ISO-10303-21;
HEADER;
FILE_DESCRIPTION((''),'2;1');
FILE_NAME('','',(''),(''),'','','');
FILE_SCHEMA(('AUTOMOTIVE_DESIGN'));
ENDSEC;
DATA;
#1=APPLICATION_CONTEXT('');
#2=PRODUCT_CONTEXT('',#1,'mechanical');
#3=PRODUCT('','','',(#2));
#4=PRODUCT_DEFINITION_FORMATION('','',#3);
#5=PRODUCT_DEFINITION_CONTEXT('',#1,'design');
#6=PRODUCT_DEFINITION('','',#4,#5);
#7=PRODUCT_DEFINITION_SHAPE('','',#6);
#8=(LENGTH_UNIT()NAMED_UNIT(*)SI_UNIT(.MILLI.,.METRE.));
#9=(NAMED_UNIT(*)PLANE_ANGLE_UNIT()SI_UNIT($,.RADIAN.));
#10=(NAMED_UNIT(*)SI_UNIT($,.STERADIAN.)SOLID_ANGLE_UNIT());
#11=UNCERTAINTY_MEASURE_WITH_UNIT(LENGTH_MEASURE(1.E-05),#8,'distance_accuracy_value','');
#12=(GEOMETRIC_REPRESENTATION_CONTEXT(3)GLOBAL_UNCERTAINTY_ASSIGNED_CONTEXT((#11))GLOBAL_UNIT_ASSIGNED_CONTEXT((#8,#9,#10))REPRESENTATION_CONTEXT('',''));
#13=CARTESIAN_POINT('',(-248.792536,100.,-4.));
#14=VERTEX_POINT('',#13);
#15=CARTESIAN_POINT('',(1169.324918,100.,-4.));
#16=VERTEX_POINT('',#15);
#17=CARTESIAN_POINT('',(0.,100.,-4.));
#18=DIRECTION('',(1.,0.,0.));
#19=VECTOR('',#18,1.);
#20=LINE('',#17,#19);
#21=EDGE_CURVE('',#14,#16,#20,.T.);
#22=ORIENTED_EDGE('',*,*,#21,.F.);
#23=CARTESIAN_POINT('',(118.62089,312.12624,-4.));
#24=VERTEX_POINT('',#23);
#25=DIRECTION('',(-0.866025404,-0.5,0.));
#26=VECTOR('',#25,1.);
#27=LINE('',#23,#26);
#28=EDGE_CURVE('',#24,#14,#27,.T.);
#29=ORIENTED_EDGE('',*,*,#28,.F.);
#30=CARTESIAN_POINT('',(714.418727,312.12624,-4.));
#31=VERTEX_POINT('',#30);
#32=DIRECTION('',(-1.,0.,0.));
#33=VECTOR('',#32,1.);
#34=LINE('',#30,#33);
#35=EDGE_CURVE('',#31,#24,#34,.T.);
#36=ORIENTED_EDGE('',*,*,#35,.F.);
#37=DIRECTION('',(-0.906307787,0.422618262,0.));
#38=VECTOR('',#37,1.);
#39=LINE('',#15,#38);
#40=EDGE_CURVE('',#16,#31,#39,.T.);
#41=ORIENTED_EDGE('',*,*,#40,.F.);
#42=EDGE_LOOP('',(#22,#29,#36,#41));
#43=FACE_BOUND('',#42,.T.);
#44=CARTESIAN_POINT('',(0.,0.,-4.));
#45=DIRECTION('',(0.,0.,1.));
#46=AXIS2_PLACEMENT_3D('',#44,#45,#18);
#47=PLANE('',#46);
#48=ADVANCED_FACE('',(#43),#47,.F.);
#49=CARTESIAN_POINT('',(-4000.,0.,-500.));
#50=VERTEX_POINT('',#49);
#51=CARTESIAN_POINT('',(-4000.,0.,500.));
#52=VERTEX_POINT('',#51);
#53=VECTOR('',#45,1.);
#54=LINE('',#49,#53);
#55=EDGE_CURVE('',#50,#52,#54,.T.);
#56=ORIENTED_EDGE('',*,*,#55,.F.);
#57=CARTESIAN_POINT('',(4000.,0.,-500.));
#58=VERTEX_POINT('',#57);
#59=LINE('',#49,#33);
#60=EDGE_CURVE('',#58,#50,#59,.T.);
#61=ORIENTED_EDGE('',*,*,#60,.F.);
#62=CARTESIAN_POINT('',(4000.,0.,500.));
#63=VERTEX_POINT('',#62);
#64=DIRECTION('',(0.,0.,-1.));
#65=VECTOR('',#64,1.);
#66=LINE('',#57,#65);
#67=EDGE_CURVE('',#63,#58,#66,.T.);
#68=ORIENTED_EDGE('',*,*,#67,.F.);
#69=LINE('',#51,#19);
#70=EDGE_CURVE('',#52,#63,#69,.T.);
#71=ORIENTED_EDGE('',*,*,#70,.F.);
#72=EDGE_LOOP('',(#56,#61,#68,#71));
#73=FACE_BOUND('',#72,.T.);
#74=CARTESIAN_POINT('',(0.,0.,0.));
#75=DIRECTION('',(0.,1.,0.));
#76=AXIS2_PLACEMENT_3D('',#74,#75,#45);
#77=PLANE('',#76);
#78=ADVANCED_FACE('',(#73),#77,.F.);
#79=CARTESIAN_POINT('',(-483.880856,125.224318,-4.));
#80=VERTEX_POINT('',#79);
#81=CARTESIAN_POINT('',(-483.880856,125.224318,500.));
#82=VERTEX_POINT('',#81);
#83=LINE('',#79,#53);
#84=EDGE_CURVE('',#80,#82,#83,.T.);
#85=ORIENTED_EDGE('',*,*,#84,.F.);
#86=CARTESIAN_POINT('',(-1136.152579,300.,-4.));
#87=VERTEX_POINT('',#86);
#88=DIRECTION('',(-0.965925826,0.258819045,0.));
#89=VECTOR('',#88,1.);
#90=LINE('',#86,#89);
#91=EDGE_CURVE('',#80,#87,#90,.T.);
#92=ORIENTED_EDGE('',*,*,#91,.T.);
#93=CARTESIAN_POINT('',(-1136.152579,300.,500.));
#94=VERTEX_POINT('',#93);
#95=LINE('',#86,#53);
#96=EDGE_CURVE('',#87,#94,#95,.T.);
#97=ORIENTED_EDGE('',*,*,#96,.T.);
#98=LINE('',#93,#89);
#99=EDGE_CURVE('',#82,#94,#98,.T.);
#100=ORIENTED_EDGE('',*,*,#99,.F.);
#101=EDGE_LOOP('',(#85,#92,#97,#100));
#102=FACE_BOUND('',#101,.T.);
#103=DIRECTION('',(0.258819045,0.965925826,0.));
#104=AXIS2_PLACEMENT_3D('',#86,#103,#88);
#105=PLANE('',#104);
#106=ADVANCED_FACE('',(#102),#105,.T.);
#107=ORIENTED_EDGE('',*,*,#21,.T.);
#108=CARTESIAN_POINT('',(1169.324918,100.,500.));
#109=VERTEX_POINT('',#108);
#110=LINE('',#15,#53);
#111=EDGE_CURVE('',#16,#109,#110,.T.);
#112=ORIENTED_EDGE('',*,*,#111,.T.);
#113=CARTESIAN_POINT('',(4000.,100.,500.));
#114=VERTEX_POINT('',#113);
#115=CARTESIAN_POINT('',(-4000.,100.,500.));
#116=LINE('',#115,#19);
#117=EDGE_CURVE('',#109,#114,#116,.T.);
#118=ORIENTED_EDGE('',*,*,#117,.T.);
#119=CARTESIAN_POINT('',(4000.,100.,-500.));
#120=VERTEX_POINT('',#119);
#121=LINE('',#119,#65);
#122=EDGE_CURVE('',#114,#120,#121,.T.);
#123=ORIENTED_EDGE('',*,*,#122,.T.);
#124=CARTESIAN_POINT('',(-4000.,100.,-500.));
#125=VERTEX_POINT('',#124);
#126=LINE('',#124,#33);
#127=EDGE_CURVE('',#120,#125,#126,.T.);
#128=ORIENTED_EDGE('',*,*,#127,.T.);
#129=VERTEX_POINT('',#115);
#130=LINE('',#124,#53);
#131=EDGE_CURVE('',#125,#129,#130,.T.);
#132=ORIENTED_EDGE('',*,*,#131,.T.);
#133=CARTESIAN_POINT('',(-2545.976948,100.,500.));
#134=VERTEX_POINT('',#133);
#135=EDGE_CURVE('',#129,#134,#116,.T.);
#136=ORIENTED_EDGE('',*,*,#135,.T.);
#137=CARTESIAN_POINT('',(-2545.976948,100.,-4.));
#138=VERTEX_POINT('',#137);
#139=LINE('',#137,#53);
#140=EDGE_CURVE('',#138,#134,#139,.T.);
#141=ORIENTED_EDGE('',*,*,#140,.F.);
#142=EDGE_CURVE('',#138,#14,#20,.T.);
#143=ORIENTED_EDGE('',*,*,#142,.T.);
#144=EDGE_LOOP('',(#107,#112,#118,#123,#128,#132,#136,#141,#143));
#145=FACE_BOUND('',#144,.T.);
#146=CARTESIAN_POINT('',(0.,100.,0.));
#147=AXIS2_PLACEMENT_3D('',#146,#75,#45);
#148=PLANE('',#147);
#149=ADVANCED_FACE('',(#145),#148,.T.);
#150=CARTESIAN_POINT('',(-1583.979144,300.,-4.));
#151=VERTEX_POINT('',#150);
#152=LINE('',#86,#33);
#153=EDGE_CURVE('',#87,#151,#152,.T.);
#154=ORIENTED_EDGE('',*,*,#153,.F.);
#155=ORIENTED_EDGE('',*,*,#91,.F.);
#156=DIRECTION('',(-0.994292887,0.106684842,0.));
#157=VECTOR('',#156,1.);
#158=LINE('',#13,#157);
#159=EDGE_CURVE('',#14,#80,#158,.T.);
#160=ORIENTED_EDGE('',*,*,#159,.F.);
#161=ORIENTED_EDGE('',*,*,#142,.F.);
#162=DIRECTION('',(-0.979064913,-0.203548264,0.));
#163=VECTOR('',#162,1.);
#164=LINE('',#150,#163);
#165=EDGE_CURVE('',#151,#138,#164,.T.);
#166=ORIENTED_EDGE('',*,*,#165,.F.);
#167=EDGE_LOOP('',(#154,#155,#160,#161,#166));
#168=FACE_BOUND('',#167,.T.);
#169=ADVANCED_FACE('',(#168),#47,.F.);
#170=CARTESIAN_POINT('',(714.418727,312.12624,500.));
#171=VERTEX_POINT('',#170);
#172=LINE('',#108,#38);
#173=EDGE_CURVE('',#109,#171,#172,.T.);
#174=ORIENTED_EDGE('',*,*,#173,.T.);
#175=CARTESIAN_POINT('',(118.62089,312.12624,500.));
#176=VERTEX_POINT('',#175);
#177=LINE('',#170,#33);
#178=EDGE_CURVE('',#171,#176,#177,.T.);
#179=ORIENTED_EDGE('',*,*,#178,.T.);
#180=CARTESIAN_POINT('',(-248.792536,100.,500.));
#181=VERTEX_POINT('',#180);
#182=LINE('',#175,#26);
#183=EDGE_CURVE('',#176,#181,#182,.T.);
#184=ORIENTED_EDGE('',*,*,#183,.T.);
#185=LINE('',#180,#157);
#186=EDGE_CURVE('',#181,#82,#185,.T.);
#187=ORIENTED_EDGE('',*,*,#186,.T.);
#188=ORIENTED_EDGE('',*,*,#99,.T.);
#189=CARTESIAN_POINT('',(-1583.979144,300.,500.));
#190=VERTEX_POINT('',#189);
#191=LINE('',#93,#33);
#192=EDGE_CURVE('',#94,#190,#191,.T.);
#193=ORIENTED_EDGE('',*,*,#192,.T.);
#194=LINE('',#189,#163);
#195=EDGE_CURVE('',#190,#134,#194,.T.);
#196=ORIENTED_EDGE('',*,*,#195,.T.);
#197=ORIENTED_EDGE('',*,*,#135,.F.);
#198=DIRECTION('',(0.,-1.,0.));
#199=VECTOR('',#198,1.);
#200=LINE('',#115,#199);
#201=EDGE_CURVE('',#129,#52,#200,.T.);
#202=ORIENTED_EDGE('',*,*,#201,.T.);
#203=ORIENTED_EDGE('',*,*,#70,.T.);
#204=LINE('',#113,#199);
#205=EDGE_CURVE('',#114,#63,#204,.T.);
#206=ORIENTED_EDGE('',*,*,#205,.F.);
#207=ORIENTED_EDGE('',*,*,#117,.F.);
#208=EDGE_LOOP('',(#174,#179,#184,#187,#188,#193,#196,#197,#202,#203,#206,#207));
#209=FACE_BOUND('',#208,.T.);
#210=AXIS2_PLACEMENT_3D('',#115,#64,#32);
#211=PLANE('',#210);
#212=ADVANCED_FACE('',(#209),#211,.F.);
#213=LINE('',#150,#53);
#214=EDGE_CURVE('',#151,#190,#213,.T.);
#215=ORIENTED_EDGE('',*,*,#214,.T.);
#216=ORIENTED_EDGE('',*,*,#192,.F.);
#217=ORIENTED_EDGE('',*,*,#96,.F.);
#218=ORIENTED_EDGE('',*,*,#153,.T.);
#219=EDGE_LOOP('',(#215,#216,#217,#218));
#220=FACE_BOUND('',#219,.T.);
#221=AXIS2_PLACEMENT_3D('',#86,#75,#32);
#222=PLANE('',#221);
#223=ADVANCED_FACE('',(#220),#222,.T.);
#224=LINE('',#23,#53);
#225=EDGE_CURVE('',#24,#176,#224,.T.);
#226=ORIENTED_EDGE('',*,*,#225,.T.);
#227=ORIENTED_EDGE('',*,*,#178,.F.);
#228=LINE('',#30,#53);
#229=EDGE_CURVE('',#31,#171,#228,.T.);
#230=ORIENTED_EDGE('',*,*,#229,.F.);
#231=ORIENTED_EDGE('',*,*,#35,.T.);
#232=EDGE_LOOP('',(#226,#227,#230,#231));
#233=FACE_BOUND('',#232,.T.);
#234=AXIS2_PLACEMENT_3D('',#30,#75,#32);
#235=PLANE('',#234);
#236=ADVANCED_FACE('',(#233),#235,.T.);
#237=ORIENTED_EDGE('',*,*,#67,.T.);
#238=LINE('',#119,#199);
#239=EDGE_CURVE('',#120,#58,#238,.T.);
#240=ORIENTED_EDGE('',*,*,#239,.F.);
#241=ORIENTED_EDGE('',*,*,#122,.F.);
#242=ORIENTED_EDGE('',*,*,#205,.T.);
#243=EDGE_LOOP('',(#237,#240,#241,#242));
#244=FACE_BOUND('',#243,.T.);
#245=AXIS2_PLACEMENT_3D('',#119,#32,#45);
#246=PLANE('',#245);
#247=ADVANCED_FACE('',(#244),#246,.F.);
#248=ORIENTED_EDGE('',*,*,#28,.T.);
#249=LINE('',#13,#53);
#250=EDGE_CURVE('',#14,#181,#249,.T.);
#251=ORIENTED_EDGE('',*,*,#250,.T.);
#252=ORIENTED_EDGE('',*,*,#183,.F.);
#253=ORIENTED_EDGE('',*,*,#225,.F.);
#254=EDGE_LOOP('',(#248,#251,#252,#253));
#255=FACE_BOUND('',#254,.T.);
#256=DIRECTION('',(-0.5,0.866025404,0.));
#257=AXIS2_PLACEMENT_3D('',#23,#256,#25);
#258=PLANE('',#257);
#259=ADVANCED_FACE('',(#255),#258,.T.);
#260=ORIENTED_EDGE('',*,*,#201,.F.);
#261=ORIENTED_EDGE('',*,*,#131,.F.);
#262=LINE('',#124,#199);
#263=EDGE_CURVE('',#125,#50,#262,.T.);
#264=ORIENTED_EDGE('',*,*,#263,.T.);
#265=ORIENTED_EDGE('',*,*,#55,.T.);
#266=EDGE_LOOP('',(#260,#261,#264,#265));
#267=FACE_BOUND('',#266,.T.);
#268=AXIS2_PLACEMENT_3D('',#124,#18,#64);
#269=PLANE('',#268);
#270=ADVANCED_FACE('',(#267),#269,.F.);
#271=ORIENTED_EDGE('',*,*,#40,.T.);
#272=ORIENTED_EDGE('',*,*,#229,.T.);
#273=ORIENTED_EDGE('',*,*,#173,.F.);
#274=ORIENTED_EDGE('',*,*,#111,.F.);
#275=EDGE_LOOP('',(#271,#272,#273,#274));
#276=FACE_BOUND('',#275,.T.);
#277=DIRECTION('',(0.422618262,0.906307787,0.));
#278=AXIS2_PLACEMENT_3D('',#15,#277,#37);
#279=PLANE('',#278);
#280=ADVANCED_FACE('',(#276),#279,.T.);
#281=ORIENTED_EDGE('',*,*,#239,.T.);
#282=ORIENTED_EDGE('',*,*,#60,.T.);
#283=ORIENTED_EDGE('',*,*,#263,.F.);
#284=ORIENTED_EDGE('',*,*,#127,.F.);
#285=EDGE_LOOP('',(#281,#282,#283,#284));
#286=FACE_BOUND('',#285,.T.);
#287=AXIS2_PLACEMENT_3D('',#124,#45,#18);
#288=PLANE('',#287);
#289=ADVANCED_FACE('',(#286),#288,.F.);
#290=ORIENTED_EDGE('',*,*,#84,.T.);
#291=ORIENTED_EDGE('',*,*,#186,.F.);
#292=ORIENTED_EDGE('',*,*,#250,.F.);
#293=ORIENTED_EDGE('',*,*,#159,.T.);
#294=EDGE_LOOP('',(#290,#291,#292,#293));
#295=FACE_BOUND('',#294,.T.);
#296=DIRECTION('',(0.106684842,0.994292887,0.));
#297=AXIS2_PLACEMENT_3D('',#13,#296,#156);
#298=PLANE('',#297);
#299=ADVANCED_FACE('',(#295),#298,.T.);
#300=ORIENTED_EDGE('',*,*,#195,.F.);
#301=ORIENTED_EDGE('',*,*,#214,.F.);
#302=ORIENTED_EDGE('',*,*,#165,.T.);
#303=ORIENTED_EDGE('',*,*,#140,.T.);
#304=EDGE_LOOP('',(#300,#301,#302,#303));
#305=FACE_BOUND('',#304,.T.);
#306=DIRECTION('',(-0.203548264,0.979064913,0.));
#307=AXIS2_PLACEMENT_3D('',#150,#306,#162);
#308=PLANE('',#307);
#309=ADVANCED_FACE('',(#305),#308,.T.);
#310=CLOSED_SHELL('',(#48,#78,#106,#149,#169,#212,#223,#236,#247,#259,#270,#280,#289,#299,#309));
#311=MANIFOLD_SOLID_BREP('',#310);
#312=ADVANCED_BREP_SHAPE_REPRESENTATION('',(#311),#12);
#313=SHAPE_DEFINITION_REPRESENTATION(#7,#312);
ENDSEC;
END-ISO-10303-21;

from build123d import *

# Parameters (mm, degrees)
SKETCH1_W           = 8000
SKETCH1_H           = 1000
BOSS_EXTRUDE1_DEPTH = 100
BOSS_EXTRUDE2_DEPTH = 504


with BuildPart() as part:
    # Sketch1 → Boss-Extrude1 (new body)
    with BuildSketch(Plane(origin=(0, 0, 0), x_dir=(1, 0, 0), z_dir=(0, 1, 0))):
        Rectangle(SKETCH1_W, SKETCH1_H)
    extrude(amount=BOSS_EXTRUDE1_DEPTH)

    # Sketch2 → Boss-Extrude2 (add)
    with BuildSketch(Plane.XY.offset(500)):
        Polygon((1169.324917581, 100), (714.418726972, 312.126240423), (118.620890376, 312.126240423), (-248.792535656, 100), (-483.880856043, 125.224318456), (-1136.152579494, 300), (-1583.979143674, 300), (-2545.976948209, 100), (-2545.976948209, 0), (2172.788144725, 0), (2172.788144725, 100), align=None)
    extrude(amount=-BOSS_EXTRUDE2_DEPTH)


solid = part.part
